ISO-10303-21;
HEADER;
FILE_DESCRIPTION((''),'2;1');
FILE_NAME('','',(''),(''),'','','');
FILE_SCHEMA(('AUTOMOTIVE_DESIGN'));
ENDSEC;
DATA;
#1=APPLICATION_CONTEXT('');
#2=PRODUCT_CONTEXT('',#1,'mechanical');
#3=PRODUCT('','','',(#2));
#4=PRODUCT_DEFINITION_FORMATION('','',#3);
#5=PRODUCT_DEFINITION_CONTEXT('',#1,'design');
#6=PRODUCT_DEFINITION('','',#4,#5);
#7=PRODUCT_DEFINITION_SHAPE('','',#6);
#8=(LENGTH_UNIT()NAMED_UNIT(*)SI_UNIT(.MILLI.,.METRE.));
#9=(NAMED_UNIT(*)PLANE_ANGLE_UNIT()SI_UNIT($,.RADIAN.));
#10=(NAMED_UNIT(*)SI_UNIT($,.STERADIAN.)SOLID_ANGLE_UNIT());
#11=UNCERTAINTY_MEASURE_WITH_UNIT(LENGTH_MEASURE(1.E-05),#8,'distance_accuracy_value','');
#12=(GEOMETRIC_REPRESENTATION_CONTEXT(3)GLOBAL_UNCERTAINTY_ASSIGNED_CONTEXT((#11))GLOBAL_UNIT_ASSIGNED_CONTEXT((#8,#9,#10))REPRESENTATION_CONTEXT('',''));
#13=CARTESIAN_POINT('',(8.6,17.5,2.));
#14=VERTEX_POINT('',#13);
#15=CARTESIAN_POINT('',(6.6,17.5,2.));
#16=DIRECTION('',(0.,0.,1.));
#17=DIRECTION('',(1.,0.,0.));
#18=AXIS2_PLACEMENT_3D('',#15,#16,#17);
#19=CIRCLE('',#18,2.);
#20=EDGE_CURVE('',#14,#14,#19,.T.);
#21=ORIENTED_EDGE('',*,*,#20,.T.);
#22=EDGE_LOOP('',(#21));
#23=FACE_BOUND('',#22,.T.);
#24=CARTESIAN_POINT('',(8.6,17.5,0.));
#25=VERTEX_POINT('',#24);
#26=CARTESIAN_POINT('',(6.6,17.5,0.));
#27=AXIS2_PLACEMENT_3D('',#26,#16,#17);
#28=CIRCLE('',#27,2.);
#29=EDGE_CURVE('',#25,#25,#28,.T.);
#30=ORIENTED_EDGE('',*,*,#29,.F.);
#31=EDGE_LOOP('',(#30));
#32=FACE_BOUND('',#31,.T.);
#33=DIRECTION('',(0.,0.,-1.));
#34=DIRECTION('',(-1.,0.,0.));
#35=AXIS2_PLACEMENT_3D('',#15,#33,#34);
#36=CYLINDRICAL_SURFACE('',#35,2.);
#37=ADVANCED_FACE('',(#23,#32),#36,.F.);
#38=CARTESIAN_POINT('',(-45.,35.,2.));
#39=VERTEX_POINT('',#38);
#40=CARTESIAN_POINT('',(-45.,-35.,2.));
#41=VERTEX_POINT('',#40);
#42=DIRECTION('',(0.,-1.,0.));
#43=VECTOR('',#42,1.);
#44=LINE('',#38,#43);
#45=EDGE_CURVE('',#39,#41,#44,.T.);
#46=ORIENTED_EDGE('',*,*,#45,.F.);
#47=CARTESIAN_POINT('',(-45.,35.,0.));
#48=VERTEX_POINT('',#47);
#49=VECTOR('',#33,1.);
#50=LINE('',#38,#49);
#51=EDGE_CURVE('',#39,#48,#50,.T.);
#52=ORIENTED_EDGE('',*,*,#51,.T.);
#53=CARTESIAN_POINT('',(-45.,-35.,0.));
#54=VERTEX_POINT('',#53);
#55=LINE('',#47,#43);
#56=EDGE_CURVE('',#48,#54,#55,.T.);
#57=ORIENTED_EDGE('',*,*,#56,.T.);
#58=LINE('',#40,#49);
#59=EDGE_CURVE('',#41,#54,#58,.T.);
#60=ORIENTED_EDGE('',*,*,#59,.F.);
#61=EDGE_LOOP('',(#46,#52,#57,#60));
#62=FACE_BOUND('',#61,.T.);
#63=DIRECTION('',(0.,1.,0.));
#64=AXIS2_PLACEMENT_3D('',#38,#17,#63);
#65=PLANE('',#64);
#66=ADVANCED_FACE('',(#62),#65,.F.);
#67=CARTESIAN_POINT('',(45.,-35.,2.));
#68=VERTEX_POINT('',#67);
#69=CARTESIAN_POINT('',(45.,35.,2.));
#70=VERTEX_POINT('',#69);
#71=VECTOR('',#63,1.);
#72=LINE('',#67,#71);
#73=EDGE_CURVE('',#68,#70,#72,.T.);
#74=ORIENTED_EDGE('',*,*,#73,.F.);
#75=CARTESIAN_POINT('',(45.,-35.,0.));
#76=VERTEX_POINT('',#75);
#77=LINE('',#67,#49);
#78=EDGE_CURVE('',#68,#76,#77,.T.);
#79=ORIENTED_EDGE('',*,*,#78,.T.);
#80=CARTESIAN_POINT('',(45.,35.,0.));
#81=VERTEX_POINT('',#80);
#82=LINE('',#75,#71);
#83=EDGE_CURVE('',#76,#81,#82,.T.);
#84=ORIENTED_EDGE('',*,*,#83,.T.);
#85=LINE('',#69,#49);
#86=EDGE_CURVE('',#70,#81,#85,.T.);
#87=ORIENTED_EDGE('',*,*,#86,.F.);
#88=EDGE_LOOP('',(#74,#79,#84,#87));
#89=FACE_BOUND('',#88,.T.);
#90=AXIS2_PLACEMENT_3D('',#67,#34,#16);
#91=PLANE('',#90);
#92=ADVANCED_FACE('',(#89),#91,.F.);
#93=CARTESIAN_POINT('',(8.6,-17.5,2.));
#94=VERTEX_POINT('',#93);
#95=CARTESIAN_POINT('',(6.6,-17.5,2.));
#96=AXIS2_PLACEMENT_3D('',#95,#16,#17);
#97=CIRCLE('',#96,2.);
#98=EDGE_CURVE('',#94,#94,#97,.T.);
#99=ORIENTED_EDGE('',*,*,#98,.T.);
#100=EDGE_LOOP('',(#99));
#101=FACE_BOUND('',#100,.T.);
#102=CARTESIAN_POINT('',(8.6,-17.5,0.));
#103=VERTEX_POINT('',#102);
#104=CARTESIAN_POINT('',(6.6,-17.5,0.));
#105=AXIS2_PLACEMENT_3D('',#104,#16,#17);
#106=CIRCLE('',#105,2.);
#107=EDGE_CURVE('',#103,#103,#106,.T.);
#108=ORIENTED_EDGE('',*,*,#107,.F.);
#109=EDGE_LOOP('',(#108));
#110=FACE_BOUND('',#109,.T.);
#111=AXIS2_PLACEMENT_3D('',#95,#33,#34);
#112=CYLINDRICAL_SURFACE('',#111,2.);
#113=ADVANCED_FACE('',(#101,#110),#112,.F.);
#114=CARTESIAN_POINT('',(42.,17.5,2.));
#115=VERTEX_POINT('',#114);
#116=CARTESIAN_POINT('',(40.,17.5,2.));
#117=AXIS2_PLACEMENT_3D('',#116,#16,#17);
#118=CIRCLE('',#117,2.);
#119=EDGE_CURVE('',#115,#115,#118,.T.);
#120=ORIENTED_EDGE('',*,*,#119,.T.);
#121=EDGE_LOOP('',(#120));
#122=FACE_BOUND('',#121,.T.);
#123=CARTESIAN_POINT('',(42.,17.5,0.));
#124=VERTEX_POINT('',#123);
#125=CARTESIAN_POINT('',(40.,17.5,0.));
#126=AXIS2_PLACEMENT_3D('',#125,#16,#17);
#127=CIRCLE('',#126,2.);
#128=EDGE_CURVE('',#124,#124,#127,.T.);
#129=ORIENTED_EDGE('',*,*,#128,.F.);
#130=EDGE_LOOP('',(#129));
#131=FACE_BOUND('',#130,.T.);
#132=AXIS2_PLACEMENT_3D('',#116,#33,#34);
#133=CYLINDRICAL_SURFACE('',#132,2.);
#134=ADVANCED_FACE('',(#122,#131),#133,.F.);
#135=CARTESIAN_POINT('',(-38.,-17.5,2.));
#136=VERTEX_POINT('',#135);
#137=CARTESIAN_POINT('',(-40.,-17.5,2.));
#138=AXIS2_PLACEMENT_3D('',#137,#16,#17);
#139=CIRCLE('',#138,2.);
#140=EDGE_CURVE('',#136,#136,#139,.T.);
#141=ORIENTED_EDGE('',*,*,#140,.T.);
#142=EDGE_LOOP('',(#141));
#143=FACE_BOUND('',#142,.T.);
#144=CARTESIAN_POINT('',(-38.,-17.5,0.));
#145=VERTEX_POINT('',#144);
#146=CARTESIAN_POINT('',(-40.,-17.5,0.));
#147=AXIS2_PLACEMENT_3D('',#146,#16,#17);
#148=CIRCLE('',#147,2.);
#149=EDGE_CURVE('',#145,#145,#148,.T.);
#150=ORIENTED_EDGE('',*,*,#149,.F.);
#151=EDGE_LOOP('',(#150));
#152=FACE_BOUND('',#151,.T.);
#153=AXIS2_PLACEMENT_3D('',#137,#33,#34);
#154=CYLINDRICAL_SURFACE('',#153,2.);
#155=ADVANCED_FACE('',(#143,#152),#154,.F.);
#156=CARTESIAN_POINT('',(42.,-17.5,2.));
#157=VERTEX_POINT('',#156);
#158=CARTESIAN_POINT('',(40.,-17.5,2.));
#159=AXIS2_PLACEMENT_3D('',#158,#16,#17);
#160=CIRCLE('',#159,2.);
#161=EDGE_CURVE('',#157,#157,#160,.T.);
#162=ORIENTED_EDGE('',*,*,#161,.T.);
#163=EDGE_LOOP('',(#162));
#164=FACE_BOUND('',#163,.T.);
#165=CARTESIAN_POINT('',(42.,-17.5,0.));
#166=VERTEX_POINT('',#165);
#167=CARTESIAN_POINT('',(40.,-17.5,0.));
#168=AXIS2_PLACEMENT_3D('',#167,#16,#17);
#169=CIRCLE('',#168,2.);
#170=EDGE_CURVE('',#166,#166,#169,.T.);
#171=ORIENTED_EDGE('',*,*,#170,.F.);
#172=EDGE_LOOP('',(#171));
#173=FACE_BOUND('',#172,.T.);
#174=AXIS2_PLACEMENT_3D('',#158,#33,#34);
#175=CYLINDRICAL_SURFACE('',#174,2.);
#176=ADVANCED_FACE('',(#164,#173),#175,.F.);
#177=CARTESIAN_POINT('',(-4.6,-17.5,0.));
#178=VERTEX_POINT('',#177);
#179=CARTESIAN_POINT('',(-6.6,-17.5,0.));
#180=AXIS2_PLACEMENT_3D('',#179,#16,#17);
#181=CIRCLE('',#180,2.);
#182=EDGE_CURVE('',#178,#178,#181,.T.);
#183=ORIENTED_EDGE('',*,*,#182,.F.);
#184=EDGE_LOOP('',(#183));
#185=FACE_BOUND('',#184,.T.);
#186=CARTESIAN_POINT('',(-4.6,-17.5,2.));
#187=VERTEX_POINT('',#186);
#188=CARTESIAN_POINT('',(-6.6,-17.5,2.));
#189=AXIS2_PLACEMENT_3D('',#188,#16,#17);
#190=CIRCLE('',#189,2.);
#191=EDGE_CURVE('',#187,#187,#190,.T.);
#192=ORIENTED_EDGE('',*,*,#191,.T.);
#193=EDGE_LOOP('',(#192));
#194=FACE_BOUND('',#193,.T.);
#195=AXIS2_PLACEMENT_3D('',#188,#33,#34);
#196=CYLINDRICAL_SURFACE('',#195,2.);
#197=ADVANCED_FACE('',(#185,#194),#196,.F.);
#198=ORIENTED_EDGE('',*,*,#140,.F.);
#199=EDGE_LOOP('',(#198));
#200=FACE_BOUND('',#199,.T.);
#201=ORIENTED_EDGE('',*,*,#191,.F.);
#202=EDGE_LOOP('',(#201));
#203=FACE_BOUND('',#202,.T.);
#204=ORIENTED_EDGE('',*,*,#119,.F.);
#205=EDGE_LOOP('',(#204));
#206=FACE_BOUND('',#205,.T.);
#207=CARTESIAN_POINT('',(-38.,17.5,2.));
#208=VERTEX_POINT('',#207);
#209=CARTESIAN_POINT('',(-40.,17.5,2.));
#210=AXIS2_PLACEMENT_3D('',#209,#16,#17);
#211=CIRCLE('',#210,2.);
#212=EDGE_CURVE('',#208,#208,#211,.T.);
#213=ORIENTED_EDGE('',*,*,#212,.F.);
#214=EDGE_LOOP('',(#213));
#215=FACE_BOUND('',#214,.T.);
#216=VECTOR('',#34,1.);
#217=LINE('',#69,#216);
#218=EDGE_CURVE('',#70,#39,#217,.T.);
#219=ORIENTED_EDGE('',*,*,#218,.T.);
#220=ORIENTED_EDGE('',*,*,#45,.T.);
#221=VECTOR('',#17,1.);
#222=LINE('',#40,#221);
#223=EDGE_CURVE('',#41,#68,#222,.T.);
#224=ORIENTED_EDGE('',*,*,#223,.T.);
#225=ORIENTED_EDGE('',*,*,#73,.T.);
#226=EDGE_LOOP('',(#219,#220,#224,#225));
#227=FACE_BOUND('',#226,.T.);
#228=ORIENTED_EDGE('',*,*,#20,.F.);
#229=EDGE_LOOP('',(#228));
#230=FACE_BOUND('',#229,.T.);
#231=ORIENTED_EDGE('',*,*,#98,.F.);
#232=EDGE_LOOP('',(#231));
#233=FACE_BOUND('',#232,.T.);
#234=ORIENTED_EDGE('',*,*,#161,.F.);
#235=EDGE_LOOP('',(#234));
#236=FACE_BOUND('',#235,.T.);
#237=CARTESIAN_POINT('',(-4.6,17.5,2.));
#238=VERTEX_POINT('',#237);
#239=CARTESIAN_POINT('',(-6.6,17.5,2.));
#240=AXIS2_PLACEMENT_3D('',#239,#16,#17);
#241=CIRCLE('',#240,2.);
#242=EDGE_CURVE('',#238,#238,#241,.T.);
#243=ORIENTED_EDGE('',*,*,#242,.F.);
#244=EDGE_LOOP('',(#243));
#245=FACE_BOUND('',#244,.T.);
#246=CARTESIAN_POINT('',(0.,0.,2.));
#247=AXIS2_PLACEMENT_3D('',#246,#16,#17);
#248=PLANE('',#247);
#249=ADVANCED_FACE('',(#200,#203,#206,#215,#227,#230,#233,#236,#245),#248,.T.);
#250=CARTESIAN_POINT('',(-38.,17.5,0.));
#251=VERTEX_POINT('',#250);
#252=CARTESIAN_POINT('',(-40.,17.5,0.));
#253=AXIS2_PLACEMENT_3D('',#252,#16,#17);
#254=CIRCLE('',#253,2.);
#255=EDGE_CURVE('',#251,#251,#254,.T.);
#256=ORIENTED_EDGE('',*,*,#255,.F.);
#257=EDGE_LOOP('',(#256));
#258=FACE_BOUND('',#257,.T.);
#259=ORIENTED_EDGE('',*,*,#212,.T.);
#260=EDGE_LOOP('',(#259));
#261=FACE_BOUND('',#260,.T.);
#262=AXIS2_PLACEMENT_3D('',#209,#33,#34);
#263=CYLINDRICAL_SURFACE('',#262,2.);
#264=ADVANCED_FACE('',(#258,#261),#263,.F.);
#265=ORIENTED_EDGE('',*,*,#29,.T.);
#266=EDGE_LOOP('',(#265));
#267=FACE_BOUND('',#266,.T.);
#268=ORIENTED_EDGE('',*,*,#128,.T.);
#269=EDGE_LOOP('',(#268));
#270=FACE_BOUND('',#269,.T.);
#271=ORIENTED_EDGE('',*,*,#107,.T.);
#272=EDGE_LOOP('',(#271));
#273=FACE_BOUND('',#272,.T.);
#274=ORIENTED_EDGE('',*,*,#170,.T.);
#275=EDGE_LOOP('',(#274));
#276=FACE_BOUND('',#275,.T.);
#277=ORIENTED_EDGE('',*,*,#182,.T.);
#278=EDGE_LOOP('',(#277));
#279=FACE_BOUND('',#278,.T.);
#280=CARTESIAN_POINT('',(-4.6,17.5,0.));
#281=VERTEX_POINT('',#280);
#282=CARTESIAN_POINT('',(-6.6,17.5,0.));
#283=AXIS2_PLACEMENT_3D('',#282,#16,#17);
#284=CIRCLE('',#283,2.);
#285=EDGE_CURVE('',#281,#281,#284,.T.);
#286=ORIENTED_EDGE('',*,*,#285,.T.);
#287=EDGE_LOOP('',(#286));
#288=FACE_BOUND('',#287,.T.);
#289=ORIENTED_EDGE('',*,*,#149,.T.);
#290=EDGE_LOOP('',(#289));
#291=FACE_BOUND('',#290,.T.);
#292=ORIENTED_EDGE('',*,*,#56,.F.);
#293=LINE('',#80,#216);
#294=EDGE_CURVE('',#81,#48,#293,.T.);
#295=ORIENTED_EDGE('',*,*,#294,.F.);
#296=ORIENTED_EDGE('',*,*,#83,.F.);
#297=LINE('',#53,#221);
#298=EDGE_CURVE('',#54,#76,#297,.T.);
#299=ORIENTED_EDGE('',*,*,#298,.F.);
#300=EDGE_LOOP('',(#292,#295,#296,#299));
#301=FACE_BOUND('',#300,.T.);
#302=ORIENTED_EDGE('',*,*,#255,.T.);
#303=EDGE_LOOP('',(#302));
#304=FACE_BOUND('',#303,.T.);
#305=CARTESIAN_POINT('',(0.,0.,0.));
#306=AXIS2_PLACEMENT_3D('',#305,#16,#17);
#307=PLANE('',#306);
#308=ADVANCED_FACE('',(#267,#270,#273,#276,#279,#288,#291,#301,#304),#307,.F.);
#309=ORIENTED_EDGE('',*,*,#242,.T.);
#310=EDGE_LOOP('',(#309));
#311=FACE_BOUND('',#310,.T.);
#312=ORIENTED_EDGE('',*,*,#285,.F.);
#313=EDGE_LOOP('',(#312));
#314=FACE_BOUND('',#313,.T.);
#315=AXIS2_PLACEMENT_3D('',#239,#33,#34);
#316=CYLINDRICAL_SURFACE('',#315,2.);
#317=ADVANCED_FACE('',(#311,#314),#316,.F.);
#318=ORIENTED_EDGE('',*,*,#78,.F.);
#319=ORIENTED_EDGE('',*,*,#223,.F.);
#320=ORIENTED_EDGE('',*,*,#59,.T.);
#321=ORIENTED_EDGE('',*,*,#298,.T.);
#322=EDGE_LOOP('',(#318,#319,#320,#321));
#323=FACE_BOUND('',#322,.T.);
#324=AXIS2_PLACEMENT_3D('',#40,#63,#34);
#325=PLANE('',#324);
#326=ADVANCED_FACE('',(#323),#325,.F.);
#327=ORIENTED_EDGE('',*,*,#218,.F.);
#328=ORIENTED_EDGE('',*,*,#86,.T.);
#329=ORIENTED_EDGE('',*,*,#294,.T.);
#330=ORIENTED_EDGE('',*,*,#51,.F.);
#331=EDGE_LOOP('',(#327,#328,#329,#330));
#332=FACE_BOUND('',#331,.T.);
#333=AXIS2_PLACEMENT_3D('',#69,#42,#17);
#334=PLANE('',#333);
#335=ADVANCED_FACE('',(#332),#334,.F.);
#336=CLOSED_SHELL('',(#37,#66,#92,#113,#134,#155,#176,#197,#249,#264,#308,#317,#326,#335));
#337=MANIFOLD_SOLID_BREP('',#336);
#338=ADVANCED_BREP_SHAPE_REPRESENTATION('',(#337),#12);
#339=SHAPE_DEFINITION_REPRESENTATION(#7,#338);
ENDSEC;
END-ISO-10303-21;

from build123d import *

# Parameters (mm, degrees)
SKETCH1_W           = 90
SKETCH1_H           = 70
SKETCH1_R           = 2
BOSS_EXTRUDE1_DEPTH = 2


with BuildPart() as part:
    # Sketch1 → Boss-Extrude1 (new body)
    with BuildSketch(Plane.XY):
        Rectangle(SKETCH1_W, SKETCH1_H)
        with Locations((-6.6, 17.5)):
            Circle(SKETCH1_R, mode=Mode.SUBTRACT)
        with Locations((6.6, 17.5)):
            Circle(SKETCH1_R, mode=Mode.SUBTRACT)
        with Locations((-6.6, -17.5)):
            Circle(SKETCH1_R, mode=Mode.SUBTRACT)
        with Locations((-40, 17.5)):
            Circle(SKETCH1_R, mode=Mode.SUBTRACT)
        with Locations((-40, -17.5)):
            Circle(SKETCH1_R, mode=Mode.SUBTRACT)
        with Locations((40, 17.5)):
            Circle(SKETCH1_R, mode=Mode.SUBTRACT)
        with Locations((6.6, -17.5)):
            Circle(SKETCH1_R, mode=Mode.SUBTRACT)
        with Locations((40, -17.5)):
            Circle(SKETCH1_R, mode=Mode.SUBTRACT)
    extrude(amount=BOSS_EXTRUDE1_DEPTH)


solid = part.part
